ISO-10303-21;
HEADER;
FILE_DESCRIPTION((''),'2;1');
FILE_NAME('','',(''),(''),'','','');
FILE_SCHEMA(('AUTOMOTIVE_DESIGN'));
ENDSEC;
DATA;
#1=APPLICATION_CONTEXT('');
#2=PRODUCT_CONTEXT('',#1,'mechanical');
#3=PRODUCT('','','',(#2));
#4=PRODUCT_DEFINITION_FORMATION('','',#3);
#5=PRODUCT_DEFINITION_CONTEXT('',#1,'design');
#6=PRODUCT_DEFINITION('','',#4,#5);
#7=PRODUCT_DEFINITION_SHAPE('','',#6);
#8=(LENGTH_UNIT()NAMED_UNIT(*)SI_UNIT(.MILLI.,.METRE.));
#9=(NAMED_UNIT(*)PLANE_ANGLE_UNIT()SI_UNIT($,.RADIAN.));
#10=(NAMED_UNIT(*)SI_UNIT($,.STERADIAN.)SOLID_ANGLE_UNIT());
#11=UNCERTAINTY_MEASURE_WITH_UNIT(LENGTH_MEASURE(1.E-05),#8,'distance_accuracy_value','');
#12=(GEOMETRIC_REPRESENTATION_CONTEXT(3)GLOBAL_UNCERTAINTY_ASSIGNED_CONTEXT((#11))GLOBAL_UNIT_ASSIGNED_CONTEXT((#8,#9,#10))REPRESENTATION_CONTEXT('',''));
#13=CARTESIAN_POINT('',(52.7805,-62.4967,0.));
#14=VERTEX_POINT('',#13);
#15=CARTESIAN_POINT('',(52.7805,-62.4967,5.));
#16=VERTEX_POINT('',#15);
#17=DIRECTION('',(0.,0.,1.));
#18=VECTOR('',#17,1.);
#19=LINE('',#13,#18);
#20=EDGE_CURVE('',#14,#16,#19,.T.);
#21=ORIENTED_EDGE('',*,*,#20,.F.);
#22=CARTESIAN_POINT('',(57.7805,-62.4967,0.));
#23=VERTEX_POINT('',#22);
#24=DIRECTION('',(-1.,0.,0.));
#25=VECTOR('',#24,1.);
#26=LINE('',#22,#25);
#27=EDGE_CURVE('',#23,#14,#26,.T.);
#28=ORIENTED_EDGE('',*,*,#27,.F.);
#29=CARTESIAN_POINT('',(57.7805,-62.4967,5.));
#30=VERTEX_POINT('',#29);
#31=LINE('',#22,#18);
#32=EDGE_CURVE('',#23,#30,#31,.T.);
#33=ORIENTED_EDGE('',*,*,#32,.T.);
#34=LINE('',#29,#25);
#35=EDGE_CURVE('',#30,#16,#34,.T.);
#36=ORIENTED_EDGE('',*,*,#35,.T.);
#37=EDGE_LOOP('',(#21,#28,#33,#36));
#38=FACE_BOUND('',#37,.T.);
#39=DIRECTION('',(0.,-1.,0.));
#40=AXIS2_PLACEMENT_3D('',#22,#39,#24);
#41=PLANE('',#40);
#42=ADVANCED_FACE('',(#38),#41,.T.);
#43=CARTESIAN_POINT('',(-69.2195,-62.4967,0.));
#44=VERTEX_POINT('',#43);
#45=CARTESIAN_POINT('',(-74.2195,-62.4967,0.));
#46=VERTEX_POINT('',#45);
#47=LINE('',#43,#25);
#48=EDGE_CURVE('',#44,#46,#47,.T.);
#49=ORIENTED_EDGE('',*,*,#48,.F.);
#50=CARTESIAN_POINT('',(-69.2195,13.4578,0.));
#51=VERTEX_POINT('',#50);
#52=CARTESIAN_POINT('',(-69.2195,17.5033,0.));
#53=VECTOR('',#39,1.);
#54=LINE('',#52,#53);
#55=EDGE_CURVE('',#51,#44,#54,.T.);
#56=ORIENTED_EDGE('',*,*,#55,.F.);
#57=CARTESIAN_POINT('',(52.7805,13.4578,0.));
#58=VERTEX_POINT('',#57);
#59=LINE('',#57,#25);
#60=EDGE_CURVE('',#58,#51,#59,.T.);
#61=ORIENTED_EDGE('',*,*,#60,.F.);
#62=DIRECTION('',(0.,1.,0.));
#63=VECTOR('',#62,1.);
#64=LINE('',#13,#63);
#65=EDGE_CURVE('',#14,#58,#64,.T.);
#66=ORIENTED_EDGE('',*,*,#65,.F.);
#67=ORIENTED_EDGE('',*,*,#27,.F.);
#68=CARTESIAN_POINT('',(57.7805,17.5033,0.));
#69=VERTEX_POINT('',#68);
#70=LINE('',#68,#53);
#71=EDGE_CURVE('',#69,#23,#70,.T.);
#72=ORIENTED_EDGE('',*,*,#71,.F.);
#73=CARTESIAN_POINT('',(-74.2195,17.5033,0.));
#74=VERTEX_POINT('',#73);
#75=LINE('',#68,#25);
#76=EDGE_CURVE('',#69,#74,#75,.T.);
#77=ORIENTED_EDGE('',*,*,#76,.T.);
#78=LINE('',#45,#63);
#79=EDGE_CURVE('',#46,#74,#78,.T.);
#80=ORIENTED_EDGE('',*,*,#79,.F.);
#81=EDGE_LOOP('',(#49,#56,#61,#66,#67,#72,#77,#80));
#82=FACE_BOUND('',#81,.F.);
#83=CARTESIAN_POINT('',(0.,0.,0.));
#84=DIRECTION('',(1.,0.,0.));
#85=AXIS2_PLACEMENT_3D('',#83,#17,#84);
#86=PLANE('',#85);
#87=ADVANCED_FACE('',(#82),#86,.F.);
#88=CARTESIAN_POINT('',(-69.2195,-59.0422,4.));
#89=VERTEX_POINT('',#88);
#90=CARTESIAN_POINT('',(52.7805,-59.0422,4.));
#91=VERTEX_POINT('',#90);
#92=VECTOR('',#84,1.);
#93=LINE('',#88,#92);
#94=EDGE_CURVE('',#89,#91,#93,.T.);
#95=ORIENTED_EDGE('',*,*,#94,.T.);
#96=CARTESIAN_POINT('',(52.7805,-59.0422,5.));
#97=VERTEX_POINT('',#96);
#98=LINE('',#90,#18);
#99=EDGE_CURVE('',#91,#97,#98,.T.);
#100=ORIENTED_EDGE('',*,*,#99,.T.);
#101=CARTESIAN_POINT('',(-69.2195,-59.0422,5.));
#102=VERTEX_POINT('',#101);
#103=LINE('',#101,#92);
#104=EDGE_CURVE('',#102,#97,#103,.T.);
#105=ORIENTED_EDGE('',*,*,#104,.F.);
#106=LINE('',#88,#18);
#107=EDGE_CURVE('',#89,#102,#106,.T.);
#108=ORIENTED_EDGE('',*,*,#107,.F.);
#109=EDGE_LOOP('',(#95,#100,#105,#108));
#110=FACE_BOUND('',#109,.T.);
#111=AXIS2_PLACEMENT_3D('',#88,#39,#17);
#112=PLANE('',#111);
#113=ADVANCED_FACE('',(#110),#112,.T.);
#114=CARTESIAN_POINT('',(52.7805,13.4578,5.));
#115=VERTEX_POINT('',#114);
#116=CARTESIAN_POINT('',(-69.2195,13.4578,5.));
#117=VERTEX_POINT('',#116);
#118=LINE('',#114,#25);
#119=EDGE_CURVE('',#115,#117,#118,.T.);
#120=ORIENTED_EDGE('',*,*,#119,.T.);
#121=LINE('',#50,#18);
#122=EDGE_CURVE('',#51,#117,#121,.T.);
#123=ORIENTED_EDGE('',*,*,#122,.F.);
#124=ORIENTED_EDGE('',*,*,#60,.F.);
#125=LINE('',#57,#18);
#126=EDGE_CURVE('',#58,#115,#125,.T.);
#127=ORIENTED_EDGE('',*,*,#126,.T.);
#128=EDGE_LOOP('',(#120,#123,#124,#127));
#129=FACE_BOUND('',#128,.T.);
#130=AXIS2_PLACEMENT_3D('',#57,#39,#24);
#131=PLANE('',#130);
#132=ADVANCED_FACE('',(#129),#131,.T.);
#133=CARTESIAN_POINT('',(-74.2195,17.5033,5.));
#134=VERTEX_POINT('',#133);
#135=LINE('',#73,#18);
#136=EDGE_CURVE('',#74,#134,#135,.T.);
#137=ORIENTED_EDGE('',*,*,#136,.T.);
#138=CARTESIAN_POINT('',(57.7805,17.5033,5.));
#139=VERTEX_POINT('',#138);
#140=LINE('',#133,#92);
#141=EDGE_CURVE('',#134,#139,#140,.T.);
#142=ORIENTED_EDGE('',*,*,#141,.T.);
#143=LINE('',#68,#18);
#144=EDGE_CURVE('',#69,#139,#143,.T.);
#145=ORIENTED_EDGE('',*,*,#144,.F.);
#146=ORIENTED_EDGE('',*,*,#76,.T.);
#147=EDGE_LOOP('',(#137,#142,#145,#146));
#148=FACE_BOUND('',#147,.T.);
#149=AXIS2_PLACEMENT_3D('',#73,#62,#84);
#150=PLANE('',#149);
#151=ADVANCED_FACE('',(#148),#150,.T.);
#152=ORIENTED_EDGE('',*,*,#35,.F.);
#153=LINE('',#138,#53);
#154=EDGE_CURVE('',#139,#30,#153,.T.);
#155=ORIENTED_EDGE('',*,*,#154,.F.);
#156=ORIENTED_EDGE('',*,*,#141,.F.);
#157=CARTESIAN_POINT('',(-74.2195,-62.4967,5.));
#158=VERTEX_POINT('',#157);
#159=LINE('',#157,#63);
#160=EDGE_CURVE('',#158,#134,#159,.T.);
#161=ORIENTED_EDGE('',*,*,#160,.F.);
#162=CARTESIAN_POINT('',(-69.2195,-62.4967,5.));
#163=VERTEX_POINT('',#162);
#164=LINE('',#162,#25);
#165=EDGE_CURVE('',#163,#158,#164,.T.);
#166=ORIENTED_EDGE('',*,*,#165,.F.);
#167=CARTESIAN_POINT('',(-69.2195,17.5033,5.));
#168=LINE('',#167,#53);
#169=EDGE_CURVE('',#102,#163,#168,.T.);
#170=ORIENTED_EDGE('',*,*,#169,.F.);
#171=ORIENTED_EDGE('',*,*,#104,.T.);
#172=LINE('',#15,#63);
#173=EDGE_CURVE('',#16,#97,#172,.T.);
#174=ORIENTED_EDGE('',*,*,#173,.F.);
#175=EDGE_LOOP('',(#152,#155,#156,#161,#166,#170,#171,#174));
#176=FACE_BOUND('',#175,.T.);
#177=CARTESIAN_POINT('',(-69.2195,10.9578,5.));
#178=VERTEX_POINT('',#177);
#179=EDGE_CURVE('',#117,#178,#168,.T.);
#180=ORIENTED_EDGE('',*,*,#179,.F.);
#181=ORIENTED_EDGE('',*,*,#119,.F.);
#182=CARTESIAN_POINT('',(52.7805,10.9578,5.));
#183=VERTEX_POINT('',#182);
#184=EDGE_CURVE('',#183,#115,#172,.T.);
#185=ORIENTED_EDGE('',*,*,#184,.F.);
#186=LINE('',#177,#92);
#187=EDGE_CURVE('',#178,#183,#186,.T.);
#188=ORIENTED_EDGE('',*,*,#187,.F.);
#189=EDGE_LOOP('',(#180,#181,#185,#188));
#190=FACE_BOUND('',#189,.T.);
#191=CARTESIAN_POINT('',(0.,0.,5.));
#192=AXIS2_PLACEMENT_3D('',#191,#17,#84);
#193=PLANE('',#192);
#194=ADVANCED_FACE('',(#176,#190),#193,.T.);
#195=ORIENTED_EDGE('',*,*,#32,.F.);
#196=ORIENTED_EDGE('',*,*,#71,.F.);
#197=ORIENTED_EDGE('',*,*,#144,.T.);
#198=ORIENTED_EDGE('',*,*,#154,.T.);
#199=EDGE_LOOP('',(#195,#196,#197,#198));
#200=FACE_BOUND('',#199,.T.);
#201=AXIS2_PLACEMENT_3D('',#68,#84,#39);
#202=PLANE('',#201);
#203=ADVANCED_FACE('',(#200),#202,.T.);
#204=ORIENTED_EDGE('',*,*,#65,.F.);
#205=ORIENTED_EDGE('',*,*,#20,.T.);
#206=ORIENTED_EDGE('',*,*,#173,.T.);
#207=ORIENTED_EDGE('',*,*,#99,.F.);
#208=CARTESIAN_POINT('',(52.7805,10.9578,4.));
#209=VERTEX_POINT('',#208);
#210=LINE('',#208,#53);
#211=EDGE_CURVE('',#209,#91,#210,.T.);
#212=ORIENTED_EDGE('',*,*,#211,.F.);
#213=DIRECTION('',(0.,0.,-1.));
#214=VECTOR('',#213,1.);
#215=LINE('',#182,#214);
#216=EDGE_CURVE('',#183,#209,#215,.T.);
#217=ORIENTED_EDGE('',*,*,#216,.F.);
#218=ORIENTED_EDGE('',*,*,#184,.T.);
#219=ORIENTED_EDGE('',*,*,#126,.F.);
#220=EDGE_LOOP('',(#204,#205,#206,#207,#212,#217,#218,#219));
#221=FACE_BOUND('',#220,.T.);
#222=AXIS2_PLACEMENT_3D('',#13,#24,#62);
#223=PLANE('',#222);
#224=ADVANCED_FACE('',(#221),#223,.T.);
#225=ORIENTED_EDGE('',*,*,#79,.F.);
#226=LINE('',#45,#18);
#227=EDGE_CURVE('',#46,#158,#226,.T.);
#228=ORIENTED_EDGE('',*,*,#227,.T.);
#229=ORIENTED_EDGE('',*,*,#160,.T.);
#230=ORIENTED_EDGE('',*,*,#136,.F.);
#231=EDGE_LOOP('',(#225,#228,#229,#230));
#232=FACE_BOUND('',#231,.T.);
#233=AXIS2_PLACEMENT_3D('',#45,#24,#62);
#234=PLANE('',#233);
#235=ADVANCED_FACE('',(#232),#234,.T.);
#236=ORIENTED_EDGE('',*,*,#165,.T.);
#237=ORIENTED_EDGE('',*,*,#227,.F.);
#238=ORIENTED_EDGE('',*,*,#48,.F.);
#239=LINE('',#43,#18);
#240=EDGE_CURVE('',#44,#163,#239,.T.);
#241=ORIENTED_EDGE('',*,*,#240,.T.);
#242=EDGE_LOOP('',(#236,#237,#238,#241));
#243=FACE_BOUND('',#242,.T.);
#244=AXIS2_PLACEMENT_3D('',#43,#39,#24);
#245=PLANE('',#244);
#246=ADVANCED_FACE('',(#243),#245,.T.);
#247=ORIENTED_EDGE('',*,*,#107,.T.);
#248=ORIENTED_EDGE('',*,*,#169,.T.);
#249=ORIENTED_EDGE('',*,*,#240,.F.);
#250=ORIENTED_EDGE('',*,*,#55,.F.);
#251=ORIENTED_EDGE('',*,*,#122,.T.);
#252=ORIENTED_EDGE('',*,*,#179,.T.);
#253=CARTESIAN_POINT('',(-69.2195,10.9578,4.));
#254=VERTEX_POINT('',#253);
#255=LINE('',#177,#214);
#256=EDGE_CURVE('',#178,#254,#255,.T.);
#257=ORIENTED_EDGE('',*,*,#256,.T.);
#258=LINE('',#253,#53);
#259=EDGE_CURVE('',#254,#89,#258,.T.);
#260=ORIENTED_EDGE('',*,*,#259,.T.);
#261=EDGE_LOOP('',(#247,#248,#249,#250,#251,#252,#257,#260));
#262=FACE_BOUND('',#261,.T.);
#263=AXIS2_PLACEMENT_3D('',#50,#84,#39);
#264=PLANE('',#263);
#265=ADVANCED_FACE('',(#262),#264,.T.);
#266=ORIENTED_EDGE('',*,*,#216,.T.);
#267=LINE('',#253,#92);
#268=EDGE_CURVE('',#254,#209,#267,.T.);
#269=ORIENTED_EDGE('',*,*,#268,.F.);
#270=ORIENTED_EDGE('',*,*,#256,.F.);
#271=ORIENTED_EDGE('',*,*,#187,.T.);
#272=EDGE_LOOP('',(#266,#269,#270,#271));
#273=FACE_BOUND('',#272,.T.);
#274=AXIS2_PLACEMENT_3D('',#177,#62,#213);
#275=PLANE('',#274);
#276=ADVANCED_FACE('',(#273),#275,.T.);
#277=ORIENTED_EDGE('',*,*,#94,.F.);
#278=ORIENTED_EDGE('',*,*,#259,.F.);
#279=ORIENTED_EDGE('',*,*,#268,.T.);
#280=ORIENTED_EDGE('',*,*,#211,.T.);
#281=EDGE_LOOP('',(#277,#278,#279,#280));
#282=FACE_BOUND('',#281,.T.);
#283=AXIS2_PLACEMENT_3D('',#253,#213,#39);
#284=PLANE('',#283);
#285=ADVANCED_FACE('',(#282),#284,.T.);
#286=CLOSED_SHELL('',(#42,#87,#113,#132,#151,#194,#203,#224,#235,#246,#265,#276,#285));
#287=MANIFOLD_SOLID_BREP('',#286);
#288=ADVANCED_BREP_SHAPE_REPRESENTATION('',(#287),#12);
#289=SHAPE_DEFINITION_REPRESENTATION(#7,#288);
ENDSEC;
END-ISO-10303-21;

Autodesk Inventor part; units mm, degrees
ref_plane "YZ Plane" through (0, 0, 0) normal (1, 0, 0) x (0, 1, 0)
ref_plane "XZ Plane" through (0, 0, 0) normal (0, 1, 0) x (-1, 0, 0)
ref_plane "XY Plane" through (0, 0, 0) normal (0, 0, 1) x (1, 0, 0)
sketch "Sketch1" plane through (0, 0, 0) normal (0, 0, 1) x (1, 0, 0)
  line L0 (-74.2195, 17.5033) -> (-69.2195, 17.5033)
  line L1 (-69.2195, 17.5033) -> (-69.2195, -62.4967)
  line L2 (-69.2195, -62.4967) -> (-74.2195, -62.4967)
  line L3 (-74.2195, -62.4967) -> (-74.2195, 17.5033)
  line L4 (-69.2195, 17.5033) -> (52.7805, 17.5033)
  line L5 (52.7805, 17.5033) -> (52.7805, 13.4578)
  line L6 (52.7805, 13.4578) -> (-69.2195, 13.4578)
  line L7 (-69.2195, 13.4578) -> (-69.2195, 17.5033)
  line L8 (52.7805, 17.5033) -> (57.7805, 17.5033)
  line L9 (57.7805, 17.5033) -> (57.7805, -62.4967)
  line L10 (57.7805, -62.4967) -> (52.7805, -62.4967)
  line L11 (52.7805, -62.4967) -> (52.7805, 17.5033)
  point P0 (0, 0)
  point P1 (-69.2195, 13.4578)
  dimension "d0" = 5
  dimension "d1" = 80
  dimension "d2" = 122
extrude "Extrusion1" add sketch "Sketch1" along normal blind 5
sketch "Sketch2" plane through (-69.2195, -62.4967, 0) normal (1, 0, 0) x (0, 0, -1)
  point P0 (0, 62.4967)
sketch "Sketch3" plane through (-69.2195, -62.4967, 0) normal (1, 0, 0) x (0, 0, -1)
  point P0 (0, 62.4967)
sketch "Sketch4" plane through (-69.2195, -62.4967, 0) normal (1, 0, 0) x (0, 0, -1)
  line L0 (-5, 73.4545) -> (-4, 73.4545)
  line L1 (-4, 73.4545) -> (-4, 3.4545)
  line L2 (-4, 3.4545) -> (-5, 3.4545)
  line L3 (-5, 3.4545) -> (-5, 73.4545)
  line L4 (-5, 0) -> (-5, 75.9545) projected
  line L5 (0, 75.9545) -> (-5, 75.9545) projected
  line L6 (0, 0) -> (-5, 0) projected
  point P0 (0, 62.4967)
  point P1 (-5, 38.4545)
  dimension "d5" = 1
  dimension "d6" = 70
  dimension "d7" = 2.5
  dimension "d8" = 3.4545
extrude "Extrusion2" add sketch "Sketch4" along normal up to surface (122 mm away)
properties part number "placa" material "PET Plastic"
